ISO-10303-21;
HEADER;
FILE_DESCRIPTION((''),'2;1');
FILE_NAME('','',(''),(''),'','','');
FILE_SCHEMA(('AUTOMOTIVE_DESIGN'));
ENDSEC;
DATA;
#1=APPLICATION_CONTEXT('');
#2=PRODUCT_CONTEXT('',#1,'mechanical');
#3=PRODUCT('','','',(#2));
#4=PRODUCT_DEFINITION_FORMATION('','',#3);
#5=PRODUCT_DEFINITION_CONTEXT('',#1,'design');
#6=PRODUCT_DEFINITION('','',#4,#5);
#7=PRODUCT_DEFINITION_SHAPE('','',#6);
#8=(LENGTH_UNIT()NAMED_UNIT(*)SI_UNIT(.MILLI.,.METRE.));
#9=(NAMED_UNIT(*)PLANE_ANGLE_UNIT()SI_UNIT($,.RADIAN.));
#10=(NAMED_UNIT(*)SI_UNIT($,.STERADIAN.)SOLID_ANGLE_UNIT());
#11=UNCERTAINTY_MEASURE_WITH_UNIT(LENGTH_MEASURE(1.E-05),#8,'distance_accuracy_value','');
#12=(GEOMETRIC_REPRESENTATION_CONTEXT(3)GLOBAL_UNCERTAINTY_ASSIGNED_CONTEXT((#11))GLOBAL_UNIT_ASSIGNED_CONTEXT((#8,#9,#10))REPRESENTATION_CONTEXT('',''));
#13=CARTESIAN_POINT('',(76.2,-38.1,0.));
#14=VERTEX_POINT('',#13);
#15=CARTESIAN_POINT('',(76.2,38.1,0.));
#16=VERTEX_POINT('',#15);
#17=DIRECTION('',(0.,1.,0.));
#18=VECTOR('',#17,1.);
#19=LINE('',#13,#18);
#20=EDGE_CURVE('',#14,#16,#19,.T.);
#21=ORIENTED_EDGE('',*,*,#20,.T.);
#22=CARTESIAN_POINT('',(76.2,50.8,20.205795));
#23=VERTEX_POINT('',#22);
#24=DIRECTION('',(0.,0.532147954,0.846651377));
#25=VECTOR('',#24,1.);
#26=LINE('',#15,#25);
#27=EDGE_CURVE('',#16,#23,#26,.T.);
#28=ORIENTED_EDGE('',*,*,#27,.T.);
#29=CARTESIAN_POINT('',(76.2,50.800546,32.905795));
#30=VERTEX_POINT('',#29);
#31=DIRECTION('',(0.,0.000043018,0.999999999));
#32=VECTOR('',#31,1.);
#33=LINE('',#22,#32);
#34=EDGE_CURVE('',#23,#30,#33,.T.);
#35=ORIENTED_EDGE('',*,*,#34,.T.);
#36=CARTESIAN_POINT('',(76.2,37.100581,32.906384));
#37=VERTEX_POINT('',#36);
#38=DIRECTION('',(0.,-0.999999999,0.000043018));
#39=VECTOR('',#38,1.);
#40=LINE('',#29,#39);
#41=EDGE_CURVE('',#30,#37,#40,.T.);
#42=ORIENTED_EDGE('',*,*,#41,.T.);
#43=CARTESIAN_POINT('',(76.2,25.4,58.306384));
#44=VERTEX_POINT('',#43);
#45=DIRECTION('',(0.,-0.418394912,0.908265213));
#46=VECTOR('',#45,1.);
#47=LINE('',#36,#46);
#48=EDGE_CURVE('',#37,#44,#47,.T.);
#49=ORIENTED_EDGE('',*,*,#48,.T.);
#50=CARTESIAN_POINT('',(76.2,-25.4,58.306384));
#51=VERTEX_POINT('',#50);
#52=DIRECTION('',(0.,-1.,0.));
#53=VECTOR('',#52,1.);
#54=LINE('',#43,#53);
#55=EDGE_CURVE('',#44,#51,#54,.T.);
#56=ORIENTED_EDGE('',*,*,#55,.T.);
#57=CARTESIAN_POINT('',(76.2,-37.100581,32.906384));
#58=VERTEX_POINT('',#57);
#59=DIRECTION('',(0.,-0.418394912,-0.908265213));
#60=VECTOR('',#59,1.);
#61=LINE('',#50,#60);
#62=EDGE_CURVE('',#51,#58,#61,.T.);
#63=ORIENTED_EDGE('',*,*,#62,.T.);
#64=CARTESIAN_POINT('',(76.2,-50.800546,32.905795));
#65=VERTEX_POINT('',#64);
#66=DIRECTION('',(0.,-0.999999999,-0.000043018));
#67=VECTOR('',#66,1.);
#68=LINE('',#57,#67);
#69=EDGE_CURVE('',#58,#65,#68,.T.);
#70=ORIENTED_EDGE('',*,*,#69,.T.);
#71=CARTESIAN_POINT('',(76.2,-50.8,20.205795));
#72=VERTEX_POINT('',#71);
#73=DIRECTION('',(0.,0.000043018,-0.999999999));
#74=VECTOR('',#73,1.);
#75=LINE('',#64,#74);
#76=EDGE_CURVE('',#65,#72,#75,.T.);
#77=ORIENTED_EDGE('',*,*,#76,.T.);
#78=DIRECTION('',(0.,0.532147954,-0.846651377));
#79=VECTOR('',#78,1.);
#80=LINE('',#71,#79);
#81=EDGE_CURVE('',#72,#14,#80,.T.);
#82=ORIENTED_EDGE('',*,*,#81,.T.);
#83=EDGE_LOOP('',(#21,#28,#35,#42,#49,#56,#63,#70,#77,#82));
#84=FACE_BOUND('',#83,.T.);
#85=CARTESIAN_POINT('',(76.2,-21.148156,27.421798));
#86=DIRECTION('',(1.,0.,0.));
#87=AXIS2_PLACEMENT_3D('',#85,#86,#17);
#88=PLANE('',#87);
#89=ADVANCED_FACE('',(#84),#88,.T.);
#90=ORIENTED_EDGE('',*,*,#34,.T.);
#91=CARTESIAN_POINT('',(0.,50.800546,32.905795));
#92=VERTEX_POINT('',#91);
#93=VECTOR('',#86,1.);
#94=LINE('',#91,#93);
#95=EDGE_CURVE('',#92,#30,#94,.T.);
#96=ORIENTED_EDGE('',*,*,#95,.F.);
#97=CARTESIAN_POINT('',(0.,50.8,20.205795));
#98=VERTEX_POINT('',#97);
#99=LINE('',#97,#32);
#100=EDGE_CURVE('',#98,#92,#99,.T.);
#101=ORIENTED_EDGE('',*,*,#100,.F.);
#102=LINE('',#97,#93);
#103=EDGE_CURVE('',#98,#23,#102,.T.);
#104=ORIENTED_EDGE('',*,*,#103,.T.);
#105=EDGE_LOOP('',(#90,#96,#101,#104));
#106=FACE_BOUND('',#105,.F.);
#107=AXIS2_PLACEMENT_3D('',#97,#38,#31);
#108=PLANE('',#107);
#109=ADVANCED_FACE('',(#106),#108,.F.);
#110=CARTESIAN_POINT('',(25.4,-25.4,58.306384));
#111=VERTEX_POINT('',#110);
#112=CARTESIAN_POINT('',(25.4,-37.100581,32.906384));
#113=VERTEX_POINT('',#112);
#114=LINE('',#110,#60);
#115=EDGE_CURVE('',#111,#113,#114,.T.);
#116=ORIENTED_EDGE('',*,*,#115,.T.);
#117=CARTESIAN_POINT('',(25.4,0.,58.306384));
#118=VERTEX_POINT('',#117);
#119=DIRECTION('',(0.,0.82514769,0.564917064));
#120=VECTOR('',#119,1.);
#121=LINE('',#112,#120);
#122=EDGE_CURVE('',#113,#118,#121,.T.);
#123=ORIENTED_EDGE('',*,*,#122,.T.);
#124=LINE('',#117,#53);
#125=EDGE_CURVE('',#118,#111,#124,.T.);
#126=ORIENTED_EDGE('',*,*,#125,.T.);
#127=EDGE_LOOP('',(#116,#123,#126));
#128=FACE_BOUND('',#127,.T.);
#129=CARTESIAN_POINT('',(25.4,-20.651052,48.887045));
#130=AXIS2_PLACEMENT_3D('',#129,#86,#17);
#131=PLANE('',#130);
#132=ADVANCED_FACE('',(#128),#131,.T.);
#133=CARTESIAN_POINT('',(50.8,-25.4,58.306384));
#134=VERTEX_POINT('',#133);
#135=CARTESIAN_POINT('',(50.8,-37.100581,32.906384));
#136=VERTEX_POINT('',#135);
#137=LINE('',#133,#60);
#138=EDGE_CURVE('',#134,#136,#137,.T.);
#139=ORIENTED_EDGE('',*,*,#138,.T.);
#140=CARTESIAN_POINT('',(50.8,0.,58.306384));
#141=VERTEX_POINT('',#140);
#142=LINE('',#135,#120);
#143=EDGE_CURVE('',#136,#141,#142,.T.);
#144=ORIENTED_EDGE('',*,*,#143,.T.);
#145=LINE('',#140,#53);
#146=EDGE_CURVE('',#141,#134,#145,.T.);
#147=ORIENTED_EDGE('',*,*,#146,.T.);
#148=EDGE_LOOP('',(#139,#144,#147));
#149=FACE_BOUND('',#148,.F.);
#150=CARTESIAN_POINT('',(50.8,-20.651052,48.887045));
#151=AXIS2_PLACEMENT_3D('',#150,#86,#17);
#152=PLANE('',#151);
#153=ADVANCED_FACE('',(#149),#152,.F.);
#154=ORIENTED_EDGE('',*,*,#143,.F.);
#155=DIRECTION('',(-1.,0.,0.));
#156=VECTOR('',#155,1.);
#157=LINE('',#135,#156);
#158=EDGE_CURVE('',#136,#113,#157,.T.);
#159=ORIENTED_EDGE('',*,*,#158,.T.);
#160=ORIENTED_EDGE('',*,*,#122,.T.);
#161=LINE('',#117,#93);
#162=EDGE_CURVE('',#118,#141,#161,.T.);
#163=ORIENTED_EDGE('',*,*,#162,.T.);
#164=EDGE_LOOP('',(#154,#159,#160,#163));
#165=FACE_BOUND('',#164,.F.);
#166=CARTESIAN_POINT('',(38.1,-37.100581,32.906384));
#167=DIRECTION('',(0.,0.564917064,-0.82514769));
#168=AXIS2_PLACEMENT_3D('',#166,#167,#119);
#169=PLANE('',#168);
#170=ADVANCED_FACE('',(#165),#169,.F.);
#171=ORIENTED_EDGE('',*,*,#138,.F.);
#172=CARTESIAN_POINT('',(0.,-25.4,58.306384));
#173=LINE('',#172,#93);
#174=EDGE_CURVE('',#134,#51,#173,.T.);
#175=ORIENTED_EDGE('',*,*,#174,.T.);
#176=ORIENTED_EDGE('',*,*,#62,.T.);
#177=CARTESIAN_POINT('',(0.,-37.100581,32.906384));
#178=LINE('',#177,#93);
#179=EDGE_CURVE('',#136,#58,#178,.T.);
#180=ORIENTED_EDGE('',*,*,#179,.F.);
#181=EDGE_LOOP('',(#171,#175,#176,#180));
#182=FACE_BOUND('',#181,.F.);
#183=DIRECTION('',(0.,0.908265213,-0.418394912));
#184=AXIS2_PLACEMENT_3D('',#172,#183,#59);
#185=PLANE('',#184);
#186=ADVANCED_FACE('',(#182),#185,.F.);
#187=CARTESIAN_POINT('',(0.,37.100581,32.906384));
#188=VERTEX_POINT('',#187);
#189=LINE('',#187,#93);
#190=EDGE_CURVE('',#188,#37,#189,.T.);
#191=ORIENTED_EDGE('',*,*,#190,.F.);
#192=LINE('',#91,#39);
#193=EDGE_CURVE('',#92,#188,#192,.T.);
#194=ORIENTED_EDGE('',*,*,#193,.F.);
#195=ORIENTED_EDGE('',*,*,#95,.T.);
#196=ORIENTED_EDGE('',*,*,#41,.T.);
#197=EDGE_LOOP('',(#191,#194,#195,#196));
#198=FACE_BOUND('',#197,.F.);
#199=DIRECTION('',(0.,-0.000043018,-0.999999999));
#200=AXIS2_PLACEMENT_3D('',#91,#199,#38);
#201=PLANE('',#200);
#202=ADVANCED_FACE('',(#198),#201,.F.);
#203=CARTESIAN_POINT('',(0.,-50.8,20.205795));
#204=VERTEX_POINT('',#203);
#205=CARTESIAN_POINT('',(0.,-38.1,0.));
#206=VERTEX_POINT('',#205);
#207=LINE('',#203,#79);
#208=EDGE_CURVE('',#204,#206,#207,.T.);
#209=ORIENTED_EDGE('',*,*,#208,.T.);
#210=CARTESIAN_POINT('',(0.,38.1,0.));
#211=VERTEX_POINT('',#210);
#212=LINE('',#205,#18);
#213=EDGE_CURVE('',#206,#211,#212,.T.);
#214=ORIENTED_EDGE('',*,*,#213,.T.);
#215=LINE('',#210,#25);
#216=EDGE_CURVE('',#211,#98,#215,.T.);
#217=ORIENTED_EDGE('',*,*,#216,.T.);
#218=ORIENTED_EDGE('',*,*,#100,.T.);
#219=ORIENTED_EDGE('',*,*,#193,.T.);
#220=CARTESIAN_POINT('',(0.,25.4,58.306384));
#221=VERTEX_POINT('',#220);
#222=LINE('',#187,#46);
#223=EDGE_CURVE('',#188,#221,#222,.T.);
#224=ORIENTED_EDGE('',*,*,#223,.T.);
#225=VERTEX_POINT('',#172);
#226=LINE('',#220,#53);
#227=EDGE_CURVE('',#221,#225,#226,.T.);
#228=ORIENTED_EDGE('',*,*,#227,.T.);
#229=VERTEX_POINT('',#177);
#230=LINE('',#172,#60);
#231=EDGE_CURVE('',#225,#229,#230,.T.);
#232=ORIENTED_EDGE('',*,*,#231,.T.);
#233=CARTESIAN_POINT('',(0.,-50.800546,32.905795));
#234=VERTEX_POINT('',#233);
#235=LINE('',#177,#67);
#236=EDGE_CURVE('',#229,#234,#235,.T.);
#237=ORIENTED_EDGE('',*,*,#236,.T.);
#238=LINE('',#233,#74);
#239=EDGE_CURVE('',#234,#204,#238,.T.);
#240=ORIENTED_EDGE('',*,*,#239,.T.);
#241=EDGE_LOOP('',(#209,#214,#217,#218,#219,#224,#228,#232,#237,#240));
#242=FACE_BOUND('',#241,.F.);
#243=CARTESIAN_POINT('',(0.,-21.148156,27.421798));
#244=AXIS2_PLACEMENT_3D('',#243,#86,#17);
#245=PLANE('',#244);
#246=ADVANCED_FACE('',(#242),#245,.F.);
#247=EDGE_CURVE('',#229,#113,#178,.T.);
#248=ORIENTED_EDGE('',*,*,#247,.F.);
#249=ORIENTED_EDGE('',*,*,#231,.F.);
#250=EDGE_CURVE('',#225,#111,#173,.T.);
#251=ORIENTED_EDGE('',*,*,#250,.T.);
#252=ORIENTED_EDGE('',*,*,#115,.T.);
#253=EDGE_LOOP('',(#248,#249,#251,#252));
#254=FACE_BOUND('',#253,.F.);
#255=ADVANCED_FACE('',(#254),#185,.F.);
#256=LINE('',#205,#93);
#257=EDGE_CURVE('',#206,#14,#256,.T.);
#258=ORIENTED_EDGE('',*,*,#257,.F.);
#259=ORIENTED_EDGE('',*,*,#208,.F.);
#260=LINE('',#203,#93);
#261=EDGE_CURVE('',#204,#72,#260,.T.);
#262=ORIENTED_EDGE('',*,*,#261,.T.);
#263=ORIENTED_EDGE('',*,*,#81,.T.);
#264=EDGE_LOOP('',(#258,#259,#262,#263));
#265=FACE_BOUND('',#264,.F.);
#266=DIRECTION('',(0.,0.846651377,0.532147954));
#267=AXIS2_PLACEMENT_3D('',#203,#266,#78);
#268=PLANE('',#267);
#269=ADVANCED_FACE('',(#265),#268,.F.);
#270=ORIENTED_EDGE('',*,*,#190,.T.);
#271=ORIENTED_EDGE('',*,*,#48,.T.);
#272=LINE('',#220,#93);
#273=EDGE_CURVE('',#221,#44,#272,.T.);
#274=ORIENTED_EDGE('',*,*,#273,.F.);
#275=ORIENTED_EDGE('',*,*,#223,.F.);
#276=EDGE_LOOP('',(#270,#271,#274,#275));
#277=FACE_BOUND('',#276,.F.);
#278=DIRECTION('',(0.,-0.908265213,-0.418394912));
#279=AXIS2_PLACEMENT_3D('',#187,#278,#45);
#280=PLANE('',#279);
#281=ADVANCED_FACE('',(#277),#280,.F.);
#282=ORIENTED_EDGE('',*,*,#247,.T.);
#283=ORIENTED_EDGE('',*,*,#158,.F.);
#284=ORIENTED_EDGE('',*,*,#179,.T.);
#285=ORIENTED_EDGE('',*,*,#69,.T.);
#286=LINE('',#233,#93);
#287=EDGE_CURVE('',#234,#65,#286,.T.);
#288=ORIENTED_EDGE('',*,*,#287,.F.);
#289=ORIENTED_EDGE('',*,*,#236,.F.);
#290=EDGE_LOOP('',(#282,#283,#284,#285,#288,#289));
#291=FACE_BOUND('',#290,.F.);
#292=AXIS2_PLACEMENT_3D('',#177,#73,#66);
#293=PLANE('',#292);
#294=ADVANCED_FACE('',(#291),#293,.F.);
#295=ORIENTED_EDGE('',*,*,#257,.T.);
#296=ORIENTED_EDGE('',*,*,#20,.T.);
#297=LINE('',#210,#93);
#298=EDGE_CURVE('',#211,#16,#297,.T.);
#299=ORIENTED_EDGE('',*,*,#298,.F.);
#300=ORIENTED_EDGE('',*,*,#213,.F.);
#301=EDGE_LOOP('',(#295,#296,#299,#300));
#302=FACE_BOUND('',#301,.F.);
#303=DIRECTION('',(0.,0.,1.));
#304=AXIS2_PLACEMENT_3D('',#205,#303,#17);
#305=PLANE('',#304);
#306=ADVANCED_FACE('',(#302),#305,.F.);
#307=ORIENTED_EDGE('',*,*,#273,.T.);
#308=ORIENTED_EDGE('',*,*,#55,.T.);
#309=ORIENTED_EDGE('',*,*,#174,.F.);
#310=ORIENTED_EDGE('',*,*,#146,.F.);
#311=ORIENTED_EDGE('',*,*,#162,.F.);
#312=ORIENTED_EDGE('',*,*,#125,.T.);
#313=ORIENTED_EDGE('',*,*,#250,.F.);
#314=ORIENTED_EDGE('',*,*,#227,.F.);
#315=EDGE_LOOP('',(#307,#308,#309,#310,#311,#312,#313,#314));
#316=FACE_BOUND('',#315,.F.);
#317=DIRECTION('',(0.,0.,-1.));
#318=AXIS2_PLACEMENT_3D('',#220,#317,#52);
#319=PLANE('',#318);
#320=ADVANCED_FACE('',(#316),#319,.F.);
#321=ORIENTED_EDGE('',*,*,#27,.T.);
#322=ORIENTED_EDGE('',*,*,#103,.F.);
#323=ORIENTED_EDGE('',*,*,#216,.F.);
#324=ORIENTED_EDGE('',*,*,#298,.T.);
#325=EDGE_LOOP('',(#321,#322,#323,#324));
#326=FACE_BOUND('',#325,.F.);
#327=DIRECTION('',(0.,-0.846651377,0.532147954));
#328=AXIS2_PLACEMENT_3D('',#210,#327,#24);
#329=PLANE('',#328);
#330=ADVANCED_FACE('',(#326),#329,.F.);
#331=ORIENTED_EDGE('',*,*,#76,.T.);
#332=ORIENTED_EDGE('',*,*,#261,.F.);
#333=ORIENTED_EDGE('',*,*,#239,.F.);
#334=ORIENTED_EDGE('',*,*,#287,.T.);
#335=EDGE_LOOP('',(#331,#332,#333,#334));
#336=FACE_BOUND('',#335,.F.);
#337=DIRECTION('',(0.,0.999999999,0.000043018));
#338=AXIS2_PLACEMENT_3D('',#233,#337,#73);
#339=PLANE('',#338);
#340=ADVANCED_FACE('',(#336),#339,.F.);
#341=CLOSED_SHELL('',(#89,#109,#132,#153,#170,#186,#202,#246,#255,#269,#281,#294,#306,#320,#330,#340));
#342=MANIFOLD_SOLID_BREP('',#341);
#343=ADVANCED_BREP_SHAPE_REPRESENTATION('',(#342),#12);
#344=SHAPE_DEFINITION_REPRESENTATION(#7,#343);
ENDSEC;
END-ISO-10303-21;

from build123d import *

# Parameters (mm, degrees)
F1_DEPTH      = 76.2
F4_DEPTH      = 12.7
F4_DEPTH_BACK = 12.7


with BuildPart() as f1:
    # F0 (on Right) → F1 (new body)
    with BuildSketch(Plane.YZ):
        Polygon((-38.1, 0), (0, 0), (0, 58.3063843763), (-25.4, 58.3063843763), (-37.1005810608, 32.9063843763), (-50.8005463281, 32.9057950318), (-50.8, 20.2057950318), align=None)
        Polygon((0, 58.3063843763), (0, 0), (38.1, 0), (50.8, 20.2057950318), (50.8005463281, 32.9057950318), (37.1005810608, 32.9063843763), (25.4, 58.3063843763), align=None)
    extrude(amount=F1_DEPTH)

    # F3 (on mid) → F4 (cut, two sides)
    with BuildSketch(Plane.YZ.offset(38.1)) as f4_sk:
        Polygon((0, 58.3063843763), (-25.4, 58.3063843763), (-37.1005810608, 32.9063843763), align=None)
    extrude(amount=-F4_DEPTH, mode=Mode.SUBTRACT)
    extrude(f4_sk.sketch, amount=F4_DEPTH_BACK, mode=Mode.SUBTRACT)


solid = f1.part
